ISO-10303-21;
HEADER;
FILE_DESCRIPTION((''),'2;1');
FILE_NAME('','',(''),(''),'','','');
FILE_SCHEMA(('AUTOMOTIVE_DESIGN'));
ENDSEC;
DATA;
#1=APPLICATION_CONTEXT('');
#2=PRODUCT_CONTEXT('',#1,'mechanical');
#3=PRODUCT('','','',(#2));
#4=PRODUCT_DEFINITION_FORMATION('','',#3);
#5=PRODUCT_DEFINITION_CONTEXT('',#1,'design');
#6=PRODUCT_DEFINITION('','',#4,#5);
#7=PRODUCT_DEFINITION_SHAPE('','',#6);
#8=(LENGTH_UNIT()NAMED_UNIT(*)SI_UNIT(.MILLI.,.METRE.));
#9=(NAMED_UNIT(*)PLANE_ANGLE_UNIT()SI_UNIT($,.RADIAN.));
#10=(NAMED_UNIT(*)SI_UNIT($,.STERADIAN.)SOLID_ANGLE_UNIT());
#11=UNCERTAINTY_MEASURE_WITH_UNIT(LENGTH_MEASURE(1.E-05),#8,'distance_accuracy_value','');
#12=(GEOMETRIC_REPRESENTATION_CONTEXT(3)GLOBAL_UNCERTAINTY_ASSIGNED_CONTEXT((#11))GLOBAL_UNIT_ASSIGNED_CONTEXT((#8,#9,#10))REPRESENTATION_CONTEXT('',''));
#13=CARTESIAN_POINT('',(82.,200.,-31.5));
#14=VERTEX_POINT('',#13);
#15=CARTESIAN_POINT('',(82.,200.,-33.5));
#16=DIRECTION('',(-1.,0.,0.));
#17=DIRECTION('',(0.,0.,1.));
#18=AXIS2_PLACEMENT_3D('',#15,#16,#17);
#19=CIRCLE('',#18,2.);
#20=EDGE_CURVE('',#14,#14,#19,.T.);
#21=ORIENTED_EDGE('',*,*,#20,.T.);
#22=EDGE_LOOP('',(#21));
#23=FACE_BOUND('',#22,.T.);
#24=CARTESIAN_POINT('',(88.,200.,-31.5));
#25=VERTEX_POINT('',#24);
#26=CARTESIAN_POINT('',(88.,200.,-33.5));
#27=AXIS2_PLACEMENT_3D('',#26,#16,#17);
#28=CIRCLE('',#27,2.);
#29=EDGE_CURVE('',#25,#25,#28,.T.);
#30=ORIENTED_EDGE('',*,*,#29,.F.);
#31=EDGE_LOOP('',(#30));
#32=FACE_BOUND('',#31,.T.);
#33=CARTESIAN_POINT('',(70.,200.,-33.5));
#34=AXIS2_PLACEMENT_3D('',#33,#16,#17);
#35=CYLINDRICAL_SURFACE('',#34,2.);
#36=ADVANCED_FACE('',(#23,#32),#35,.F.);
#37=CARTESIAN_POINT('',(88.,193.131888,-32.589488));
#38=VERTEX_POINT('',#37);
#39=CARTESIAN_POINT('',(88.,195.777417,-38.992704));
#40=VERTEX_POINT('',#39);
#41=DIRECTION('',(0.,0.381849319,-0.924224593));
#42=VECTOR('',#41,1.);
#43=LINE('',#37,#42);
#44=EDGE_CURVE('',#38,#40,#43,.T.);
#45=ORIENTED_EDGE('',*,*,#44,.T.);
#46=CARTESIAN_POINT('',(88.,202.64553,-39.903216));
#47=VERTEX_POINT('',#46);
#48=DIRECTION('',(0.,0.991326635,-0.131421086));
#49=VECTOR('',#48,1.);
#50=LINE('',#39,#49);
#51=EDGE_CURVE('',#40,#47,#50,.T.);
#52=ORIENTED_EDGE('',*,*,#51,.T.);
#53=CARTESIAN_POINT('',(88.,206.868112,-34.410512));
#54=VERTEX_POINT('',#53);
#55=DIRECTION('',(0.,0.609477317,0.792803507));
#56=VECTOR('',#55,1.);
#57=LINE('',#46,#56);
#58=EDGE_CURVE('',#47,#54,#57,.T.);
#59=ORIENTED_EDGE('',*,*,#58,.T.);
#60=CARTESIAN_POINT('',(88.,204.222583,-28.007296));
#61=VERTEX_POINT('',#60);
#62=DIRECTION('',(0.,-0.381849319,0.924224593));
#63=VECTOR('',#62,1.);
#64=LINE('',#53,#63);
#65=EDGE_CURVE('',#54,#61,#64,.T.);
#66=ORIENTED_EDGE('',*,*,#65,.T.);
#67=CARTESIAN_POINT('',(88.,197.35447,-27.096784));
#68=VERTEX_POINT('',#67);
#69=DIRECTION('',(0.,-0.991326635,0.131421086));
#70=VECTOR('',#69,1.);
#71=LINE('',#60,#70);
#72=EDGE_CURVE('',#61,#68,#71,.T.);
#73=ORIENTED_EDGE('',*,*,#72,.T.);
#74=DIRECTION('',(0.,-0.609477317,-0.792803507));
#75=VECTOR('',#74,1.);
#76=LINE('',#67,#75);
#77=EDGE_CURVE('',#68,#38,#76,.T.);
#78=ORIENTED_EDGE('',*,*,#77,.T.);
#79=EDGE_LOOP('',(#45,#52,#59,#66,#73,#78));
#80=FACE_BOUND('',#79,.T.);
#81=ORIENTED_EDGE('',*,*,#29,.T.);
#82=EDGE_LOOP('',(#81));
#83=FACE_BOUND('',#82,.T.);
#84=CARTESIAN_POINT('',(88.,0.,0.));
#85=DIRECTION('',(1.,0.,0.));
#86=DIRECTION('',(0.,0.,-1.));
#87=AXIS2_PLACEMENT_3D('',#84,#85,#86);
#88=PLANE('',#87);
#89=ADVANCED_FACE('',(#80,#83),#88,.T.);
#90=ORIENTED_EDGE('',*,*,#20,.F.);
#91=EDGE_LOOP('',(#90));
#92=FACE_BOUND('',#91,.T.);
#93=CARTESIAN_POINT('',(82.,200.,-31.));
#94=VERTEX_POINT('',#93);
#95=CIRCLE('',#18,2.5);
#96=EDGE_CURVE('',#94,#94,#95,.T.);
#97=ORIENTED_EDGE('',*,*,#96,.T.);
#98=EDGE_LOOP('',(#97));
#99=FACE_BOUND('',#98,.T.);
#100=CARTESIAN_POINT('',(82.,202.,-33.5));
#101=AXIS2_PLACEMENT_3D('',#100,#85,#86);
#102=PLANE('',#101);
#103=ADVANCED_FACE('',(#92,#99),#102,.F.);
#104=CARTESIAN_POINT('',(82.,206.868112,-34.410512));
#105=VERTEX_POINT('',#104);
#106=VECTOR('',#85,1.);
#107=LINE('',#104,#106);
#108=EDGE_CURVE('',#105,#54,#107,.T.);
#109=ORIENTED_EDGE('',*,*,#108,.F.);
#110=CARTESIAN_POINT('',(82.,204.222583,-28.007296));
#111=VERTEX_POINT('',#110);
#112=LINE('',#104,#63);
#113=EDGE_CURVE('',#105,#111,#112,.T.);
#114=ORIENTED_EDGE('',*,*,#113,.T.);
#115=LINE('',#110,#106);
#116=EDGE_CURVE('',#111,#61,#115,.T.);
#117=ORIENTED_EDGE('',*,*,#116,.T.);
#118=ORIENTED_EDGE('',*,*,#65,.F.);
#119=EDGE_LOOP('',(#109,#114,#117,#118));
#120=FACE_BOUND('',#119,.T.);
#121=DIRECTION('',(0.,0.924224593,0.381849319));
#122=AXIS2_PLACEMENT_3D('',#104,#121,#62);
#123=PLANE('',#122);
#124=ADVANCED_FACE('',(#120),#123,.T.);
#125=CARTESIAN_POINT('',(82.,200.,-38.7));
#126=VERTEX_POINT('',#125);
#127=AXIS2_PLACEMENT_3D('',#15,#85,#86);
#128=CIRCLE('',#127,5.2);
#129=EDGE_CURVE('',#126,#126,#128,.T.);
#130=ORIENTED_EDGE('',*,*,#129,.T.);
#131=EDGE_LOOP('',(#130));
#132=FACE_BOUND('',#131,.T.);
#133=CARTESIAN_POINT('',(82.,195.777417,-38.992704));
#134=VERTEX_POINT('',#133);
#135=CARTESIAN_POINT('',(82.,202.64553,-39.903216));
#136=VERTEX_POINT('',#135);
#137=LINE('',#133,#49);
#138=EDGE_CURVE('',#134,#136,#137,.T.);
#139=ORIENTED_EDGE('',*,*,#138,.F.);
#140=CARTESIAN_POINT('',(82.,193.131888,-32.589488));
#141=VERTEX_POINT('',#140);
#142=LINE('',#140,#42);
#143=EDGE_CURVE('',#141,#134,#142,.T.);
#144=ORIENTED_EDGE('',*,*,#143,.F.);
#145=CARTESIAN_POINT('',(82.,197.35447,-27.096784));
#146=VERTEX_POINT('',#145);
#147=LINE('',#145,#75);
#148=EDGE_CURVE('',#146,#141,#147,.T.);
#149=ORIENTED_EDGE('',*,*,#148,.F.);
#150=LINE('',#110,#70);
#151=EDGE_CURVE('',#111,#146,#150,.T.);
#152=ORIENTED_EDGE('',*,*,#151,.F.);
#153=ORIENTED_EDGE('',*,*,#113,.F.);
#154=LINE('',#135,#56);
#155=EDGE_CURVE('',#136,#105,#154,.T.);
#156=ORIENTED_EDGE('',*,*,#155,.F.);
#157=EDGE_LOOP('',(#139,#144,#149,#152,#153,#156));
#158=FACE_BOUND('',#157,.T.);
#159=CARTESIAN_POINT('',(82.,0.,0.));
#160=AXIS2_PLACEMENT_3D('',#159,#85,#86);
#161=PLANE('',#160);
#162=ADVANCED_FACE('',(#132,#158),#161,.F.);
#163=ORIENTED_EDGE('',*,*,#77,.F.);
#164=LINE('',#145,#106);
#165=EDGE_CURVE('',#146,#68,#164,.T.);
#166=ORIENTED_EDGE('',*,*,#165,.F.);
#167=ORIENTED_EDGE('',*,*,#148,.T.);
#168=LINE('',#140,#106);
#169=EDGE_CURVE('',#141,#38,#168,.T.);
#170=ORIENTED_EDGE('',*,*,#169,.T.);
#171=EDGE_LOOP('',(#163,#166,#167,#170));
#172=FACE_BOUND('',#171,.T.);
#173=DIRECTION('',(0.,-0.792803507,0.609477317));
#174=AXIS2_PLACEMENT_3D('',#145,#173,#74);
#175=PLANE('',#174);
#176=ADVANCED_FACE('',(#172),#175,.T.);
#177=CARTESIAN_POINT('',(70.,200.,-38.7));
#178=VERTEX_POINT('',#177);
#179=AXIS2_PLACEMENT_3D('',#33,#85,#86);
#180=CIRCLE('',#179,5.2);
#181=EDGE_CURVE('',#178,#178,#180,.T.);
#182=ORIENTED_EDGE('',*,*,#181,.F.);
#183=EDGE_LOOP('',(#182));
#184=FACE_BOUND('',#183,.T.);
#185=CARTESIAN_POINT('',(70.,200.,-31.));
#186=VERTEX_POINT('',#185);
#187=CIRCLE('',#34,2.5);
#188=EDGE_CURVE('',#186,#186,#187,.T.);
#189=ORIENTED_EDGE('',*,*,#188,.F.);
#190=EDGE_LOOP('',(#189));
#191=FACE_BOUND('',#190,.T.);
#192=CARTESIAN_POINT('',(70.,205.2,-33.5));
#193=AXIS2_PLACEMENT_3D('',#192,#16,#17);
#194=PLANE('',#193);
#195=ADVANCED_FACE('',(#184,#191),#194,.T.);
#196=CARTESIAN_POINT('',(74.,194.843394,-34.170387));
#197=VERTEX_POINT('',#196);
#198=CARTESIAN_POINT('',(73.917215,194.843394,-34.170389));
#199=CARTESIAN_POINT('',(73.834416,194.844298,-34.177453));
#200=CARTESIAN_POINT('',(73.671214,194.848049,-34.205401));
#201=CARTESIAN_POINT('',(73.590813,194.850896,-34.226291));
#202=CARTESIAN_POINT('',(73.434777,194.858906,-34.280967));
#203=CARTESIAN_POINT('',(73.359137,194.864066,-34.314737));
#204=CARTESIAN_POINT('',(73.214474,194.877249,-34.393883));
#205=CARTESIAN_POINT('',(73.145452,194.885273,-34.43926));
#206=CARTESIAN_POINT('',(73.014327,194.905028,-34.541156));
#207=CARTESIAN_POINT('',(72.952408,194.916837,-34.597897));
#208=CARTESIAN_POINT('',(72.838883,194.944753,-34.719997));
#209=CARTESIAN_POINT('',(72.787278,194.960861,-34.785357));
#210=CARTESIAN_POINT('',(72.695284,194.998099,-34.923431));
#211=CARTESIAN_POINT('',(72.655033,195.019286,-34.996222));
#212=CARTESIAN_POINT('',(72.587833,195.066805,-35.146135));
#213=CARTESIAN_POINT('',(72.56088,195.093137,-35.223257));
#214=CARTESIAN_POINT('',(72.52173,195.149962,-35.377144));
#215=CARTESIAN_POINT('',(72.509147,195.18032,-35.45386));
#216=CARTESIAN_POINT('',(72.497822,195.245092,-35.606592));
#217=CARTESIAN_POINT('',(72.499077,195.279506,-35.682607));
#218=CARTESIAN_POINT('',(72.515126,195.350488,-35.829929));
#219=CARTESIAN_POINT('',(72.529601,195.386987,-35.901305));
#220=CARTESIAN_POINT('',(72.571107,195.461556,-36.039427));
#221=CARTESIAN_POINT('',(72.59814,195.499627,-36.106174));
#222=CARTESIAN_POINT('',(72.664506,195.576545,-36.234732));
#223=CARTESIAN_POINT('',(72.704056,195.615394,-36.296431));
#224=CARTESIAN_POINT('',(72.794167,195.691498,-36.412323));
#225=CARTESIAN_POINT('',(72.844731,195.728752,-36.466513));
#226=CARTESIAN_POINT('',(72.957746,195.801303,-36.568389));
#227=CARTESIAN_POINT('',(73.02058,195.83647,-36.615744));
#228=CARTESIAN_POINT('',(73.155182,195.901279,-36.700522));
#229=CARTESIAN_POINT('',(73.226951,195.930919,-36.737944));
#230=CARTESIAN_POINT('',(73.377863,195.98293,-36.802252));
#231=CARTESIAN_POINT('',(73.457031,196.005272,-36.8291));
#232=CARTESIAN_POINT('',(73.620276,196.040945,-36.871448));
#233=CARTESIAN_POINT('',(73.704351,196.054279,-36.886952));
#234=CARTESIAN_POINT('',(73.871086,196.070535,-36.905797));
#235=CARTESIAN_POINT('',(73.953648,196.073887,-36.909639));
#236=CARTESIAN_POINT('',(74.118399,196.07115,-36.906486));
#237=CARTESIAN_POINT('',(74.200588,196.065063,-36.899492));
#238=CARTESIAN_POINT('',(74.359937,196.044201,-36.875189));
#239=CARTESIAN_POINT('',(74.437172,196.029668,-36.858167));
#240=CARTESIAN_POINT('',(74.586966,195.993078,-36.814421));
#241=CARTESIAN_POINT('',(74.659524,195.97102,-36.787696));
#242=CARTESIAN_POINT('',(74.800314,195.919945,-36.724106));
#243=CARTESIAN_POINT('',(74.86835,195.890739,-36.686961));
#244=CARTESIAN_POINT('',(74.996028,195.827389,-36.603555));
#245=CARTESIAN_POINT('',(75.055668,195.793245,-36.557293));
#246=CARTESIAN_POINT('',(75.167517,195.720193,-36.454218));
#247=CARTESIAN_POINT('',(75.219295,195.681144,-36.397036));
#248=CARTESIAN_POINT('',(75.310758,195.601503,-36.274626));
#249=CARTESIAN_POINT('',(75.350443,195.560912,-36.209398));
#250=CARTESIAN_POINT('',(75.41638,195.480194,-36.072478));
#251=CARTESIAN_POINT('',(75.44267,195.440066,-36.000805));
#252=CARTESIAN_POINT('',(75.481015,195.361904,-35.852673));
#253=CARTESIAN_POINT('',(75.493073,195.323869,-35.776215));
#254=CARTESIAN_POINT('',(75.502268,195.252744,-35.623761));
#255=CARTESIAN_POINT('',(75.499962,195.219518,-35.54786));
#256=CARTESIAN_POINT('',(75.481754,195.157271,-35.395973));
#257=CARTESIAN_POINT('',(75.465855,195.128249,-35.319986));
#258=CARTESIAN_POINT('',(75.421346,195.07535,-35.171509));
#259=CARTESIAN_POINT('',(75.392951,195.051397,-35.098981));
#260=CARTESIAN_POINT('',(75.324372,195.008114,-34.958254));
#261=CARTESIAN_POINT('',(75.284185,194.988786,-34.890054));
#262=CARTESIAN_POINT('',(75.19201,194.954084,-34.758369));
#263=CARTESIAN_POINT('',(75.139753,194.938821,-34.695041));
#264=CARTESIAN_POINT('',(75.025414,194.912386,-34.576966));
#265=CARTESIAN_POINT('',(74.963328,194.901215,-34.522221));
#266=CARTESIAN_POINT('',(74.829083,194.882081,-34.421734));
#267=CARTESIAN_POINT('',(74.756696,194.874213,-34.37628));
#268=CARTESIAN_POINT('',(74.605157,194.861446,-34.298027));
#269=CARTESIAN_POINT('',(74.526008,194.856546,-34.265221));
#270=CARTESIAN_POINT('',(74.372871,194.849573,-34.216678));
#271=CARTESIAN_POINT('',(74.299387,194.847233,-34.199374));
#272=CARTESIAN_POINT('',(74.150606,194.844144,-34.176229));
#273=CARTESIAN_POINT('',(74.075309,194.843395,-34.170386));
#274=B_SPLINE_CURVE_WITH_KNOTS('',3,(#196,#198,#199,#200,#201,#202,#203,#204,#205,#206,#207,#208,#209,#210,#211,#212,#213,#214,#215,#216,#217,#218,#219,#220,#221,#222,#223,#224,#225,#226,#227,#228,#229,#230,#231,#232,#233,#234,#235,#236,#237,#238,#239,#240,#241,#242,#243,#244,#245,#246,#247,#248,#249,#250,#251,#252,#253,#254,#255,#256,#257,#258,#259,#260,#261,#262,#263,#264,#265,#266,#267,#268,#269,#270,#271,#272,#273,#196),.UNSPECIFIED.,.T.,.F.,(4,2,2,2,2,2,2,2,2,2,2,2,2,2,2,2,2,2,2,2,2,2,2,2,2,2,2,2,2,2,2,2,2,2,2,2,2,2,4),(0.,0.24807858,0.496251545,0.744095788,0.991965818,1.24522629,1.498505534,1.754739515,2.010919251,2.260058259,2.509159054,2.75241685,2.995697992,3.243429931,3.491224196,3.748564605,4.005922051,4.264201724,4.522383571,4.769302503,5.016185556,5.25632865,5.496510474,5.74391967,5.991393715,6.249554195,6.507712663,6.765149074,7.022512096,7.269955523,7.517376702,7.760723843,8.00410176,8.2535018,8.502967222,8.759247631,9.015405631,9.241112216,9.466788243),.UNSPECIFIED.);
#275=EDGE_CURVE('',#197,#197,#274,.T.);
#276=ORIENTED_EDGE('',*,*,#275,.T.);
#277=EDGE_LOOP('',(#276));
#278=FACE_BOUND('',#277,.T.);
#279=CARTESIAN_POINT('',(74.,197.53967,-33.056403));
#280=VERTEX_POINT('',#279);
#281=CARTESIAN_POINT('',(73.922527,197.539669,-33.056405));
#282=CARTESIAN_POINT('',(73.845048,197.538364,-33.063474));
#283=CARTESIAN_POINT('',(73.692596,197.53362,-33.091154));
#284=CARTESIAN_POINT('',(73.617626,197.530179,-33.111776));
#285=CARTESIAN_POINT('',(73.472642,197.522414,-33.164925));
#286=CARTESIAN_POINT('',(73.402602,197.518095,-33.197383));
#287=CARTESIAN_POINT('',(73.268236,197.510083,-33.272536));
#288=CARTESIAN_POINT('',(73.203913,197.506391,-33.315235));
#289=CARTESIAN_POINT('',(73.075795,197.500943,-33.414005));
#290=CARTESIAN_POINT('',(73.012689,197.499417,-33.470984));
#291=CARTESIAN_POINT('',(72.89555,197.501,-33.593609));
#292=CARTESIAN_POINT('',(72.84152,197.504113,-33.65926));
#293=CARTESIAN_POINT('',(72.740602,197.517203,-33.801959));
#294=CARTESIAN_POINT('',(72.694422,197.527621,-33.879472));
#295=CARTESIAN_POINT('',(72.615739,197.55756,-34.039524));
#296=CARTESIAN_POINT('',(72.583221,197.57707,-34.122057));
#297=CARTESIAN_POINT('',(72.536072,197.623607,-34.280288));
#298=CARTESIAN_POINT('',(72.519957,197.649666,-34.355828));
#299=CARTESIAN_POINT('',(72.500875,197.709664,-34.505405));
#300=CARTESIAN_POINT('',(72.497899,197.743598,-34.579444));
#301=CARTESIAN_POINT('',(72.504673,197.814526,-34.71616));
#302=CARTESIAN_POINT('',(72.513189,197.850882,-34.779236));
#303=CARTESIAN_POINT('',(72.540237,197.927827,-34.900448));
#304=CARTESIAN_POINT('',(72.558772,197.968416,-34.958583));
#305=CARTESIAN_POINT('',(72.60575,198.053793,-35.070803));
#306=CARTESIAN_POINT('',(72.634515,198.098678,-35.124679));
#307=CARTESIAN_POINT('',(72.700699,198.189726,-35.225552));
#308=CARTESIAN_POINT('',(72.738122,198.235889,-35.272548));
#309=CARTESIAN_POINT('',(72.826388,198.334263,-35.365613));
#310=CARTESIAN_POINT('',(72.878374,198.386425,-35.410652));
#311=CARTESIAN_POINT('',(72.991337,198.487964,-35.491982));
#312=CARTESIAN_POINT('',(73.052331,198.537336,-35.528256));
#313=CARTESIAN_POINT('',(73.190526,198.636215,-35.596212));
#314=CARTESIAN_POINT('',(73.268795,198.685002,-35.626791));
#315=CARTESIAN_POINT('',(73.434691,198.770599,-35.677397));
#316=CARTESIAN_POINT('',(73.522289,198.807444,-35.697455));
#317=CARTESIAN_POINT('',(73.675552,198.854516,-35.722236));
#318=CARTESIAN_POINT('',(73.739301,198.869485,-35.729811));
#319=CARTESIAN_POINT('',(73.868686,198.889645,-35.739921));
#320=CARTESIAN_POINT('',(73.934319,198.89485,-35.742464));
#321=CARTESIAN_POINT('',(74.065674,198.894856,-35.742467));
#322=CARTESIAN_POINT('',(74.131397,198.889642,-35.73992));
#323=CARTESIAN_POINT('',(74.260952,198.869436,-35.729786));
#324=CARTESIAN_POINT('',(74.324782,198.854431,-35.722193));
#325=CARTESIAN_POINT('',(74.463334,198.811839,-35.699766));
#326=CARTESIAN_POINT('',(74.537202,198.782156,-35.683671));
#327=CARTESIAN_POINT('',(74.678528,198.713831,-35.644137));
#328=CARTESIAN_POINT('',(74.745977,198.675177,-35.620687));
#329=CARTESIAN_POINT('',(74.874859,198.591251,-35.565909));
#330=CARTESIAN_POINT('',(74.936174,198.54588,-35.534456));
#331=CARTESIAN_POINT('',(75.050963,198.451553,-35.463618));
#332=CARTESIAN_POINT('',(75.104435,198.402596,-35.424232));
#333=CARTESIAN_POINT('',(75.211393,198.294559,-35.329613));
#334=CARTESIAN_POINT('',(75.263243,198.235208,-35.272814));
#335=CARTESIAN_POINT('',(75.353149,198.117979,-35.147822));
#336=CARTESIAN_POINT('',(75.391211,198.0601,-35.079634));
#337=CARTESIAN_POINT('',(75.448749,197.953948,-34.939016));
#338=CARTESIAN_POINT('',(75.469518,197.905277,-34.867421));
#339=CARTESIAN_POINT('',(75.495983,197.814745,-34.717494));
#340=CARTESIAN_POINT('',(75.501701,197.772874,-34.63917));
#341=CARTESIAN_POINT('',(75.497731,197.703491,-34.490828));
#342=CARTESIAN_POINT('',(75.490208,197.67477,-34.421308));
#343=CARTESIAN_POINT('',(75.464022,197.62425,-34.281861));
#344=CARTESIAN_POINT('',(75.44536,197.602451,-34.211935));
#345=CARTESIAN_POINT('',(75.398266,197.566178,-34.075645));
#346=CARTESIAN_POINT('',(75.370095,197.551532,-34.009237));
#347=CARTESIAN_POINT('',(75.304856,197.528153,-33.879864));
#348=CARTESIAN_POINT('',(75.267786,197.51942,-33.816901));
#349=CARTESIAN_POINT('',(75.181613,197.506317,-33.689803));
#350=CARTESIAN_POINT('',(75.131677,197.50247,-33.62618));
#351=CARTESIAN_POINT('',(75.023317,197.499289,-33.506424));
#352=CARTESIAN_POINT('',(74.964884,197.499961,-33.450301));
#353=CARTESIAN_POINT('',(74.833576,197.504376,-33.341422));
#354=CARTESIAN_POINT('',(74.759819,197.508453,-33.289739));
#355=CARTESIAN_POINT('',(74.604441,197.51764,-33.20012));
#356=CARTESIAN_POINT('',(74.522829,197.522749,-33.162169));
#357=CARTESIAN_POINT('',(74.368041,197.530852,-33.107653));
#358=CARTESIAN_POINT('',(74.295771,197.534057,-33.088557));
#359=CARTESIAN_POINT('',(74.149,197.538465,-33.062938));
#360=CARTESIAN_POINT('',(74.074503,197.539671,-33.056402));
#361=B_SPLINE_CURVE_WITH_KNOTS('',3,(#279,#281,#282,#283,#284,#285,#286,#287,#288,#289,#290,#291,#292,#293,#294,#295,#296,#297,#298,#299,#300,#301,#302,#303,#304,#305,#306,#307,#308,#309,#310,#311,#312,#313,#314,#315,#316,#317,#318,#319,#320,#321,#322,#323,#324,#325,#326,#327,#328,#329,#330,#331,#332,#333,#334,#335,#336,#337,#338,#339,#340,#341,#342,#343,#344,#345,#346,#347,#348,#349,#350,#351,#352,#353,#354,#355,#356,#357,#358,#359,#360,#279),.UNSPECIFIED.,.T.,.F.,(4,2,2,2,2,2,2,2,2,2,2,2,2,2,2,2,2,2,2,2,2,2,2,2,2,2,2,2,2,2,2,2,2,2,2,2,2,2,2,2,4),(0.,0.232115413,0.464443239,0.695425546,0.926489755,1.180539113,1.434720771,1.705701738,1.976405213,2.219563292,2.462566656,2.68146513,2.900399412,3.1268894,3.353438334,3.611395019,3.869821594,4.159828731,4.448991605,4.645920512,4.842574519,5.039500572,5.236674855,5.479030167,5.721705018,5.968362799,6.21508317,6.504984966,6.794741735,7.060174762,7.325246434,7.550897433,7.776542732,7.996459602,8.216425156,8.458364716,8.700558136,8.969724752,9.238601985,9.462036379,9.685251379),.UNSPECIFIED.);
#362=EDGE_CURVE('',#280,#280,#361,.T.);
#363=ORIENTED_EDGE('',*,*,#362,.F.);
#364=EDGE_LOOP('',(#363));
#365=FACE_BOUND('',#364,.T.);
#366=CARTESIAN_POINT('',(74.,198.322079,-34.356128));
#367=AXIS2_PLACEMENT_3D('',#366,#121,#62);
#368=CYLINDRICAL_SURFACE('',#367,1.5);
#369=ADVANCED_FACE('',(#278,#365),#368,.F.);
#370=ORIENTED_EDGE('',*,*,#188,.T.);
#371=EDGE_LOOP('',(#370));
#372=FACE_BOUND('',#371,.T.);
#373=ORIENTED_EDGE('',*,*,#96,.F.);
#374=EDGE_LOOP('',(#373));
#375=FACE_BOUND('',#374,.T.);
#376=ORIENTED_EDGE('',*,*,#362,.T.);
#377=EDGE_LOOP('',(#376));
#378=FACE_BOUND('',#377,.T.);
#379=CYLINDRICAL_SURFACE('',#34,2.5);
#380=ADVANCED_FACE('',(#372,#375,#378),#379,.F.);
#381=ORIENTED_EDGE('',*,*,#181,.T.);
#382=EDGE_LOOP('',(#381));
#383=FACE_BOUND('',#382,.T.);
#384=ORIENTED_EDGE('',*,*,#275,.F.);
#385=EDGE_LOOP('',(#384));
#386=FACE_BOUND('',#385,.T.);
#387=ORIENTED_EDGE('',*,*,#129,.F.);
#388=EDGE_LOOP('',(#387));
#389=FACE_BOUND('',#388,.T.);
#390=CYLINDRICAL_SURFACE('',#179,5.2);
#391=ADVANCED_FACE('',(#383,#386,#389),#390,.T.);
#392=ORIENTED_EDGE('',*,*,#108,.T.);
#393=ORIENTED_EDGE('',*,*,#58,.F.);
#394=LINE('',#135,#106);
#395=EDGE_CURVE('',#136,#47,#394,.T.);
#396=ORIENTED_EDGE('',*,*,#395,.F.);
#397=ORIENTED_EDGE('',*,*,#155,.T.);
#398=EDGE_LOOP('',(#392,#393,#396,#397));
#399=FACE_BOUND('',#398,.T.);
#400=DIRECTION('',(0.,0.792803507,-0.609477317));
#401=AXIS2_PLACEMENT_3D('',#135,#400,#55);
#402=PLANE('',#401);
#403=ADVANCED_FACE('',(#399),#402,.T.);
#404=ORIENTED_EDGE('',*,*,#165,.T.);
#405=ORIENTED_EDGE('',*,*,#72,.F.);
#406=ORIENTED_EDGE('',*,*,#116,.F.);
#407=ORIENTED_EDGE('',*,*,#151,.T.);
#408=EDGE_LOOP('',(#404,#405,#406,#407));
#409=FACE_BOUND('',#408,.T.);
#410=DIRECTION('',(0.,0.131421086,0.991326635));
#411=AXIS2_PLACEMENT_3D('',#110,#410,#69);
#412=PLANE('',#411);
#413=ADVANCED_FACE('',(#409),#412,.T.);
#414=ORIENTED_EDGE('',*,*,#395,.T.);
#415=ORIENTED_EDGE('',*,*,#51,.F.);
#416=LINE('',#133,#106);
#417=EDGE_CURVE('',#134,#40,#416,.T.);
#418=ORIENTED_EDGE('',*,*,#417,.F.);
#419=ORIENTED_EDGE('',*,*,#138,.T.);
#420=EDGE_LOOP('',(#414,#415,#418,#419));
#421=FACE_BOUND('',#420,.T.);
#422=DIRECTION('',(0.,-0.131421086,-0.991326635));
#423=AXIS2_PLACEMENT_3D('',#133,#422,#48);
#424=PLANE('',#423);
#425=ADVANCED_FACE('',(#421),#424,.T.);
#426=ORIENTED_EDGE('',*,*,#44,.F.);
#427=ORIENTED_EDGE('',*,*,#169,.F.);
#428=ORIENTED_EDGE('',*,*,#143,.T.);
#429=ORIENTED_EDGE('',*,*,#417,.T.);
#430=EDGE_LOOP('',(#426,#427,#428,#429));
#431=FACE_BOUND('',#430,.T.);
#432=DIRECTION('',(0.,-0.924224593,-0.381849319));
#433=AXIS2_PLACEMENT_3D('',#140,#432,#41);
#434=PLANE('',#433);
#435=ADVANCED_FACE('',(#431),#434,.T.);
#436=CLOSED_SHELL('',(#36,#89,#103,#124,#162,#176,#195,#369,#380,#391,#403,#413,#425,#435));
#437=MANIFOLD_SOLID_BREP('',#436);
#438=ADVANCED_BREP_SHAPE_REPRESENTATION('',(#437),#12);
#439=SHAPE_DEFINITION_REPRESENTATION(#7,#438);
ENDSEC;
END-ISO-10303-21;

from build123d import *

# Parameters (mm, degrees)
EXTRUDE_1_DEPTH                = 6
SKETCH_2_W                     = 12
SKETCH_2_H                     = 5.2
HOLE_WIZARD_M3_5_1_D           = 4
HOLE_WIZARD_M3_5_1_CBORE_D     = 5
HOLE_WIZARD_M3_5_1_CBORE_DEPTH = 12
SKETCH_5_W                     = 1.5
SKETCH_5_H                     = 6.915054242


with BuildPart() as part:
    # 草图1 → 凸台-拉伸1 (new body)
    with BuildSketch(Plane(origin=(88, 0, 0), x_dir=(0, 0, -1), z_dir=(1, 0, 0))):
        Polygon((27.096784191, 197.354470317), (32.589488008, 193.131887602), (38.992703817, 195.777417285), (39.903215809, 202.645529683), (34.410511992, 206.868112398), (28.007296183, 204.222582715), align=None)
    extrude(amount=-EXTRUDE_1_DEPTH)

    # 草图2 → 旋转1 (revolve)
    with BuildSketch(Plane.XY.offset(-33.5), mode=Mode.PRIVATE) as revolve_1_sk:
        with Locations((76, 202.6)):
            Rectangle(SKETCH_2_W, SKETCH_2_H)
    revolve(revolve_1_sk.sketch.rotate(Axis((70, 200, -33.5), (1, 0, 0)), 270), axis=Axis((70, 200, -33.5), (1, 0, 0)))

    # M3.5 六角头机械螺钉的柱形沉头孔1 (through all)
    with Locations(Plane.ZY.offset(-70)):
        with Locations((-33.5, 200)):
            CounterBoreHole(HOLE_WIZARD_M3_5_1_D / 2, HOLE_WIZARD_M3_5_1_CBORE_D / 2, HOLE_WIZARD_M3_5_1_CBORE_DEPTH)

    # 草图5 → Ø3.0 (3) 直径孔1 (revolve, cut)
    with BuildSketch(Plane(origin=(74, 198.322079162, -34.356128365), x_dir=(0, -0.3818493186865922, 0.9242245927363032), z_dir=(1, 0, 0))):
        with Locations((0.75, 3.457527121)):
            Rectangle(SKETCH_5_W, SKETCH_5_H)
    revolve(axis=Axis((74, 204.190905326, -31.931385192), (0, -0.9242245927363031, -0.38184931868659217)), mode=Mode.SUBTRACT)


solid = part.part
